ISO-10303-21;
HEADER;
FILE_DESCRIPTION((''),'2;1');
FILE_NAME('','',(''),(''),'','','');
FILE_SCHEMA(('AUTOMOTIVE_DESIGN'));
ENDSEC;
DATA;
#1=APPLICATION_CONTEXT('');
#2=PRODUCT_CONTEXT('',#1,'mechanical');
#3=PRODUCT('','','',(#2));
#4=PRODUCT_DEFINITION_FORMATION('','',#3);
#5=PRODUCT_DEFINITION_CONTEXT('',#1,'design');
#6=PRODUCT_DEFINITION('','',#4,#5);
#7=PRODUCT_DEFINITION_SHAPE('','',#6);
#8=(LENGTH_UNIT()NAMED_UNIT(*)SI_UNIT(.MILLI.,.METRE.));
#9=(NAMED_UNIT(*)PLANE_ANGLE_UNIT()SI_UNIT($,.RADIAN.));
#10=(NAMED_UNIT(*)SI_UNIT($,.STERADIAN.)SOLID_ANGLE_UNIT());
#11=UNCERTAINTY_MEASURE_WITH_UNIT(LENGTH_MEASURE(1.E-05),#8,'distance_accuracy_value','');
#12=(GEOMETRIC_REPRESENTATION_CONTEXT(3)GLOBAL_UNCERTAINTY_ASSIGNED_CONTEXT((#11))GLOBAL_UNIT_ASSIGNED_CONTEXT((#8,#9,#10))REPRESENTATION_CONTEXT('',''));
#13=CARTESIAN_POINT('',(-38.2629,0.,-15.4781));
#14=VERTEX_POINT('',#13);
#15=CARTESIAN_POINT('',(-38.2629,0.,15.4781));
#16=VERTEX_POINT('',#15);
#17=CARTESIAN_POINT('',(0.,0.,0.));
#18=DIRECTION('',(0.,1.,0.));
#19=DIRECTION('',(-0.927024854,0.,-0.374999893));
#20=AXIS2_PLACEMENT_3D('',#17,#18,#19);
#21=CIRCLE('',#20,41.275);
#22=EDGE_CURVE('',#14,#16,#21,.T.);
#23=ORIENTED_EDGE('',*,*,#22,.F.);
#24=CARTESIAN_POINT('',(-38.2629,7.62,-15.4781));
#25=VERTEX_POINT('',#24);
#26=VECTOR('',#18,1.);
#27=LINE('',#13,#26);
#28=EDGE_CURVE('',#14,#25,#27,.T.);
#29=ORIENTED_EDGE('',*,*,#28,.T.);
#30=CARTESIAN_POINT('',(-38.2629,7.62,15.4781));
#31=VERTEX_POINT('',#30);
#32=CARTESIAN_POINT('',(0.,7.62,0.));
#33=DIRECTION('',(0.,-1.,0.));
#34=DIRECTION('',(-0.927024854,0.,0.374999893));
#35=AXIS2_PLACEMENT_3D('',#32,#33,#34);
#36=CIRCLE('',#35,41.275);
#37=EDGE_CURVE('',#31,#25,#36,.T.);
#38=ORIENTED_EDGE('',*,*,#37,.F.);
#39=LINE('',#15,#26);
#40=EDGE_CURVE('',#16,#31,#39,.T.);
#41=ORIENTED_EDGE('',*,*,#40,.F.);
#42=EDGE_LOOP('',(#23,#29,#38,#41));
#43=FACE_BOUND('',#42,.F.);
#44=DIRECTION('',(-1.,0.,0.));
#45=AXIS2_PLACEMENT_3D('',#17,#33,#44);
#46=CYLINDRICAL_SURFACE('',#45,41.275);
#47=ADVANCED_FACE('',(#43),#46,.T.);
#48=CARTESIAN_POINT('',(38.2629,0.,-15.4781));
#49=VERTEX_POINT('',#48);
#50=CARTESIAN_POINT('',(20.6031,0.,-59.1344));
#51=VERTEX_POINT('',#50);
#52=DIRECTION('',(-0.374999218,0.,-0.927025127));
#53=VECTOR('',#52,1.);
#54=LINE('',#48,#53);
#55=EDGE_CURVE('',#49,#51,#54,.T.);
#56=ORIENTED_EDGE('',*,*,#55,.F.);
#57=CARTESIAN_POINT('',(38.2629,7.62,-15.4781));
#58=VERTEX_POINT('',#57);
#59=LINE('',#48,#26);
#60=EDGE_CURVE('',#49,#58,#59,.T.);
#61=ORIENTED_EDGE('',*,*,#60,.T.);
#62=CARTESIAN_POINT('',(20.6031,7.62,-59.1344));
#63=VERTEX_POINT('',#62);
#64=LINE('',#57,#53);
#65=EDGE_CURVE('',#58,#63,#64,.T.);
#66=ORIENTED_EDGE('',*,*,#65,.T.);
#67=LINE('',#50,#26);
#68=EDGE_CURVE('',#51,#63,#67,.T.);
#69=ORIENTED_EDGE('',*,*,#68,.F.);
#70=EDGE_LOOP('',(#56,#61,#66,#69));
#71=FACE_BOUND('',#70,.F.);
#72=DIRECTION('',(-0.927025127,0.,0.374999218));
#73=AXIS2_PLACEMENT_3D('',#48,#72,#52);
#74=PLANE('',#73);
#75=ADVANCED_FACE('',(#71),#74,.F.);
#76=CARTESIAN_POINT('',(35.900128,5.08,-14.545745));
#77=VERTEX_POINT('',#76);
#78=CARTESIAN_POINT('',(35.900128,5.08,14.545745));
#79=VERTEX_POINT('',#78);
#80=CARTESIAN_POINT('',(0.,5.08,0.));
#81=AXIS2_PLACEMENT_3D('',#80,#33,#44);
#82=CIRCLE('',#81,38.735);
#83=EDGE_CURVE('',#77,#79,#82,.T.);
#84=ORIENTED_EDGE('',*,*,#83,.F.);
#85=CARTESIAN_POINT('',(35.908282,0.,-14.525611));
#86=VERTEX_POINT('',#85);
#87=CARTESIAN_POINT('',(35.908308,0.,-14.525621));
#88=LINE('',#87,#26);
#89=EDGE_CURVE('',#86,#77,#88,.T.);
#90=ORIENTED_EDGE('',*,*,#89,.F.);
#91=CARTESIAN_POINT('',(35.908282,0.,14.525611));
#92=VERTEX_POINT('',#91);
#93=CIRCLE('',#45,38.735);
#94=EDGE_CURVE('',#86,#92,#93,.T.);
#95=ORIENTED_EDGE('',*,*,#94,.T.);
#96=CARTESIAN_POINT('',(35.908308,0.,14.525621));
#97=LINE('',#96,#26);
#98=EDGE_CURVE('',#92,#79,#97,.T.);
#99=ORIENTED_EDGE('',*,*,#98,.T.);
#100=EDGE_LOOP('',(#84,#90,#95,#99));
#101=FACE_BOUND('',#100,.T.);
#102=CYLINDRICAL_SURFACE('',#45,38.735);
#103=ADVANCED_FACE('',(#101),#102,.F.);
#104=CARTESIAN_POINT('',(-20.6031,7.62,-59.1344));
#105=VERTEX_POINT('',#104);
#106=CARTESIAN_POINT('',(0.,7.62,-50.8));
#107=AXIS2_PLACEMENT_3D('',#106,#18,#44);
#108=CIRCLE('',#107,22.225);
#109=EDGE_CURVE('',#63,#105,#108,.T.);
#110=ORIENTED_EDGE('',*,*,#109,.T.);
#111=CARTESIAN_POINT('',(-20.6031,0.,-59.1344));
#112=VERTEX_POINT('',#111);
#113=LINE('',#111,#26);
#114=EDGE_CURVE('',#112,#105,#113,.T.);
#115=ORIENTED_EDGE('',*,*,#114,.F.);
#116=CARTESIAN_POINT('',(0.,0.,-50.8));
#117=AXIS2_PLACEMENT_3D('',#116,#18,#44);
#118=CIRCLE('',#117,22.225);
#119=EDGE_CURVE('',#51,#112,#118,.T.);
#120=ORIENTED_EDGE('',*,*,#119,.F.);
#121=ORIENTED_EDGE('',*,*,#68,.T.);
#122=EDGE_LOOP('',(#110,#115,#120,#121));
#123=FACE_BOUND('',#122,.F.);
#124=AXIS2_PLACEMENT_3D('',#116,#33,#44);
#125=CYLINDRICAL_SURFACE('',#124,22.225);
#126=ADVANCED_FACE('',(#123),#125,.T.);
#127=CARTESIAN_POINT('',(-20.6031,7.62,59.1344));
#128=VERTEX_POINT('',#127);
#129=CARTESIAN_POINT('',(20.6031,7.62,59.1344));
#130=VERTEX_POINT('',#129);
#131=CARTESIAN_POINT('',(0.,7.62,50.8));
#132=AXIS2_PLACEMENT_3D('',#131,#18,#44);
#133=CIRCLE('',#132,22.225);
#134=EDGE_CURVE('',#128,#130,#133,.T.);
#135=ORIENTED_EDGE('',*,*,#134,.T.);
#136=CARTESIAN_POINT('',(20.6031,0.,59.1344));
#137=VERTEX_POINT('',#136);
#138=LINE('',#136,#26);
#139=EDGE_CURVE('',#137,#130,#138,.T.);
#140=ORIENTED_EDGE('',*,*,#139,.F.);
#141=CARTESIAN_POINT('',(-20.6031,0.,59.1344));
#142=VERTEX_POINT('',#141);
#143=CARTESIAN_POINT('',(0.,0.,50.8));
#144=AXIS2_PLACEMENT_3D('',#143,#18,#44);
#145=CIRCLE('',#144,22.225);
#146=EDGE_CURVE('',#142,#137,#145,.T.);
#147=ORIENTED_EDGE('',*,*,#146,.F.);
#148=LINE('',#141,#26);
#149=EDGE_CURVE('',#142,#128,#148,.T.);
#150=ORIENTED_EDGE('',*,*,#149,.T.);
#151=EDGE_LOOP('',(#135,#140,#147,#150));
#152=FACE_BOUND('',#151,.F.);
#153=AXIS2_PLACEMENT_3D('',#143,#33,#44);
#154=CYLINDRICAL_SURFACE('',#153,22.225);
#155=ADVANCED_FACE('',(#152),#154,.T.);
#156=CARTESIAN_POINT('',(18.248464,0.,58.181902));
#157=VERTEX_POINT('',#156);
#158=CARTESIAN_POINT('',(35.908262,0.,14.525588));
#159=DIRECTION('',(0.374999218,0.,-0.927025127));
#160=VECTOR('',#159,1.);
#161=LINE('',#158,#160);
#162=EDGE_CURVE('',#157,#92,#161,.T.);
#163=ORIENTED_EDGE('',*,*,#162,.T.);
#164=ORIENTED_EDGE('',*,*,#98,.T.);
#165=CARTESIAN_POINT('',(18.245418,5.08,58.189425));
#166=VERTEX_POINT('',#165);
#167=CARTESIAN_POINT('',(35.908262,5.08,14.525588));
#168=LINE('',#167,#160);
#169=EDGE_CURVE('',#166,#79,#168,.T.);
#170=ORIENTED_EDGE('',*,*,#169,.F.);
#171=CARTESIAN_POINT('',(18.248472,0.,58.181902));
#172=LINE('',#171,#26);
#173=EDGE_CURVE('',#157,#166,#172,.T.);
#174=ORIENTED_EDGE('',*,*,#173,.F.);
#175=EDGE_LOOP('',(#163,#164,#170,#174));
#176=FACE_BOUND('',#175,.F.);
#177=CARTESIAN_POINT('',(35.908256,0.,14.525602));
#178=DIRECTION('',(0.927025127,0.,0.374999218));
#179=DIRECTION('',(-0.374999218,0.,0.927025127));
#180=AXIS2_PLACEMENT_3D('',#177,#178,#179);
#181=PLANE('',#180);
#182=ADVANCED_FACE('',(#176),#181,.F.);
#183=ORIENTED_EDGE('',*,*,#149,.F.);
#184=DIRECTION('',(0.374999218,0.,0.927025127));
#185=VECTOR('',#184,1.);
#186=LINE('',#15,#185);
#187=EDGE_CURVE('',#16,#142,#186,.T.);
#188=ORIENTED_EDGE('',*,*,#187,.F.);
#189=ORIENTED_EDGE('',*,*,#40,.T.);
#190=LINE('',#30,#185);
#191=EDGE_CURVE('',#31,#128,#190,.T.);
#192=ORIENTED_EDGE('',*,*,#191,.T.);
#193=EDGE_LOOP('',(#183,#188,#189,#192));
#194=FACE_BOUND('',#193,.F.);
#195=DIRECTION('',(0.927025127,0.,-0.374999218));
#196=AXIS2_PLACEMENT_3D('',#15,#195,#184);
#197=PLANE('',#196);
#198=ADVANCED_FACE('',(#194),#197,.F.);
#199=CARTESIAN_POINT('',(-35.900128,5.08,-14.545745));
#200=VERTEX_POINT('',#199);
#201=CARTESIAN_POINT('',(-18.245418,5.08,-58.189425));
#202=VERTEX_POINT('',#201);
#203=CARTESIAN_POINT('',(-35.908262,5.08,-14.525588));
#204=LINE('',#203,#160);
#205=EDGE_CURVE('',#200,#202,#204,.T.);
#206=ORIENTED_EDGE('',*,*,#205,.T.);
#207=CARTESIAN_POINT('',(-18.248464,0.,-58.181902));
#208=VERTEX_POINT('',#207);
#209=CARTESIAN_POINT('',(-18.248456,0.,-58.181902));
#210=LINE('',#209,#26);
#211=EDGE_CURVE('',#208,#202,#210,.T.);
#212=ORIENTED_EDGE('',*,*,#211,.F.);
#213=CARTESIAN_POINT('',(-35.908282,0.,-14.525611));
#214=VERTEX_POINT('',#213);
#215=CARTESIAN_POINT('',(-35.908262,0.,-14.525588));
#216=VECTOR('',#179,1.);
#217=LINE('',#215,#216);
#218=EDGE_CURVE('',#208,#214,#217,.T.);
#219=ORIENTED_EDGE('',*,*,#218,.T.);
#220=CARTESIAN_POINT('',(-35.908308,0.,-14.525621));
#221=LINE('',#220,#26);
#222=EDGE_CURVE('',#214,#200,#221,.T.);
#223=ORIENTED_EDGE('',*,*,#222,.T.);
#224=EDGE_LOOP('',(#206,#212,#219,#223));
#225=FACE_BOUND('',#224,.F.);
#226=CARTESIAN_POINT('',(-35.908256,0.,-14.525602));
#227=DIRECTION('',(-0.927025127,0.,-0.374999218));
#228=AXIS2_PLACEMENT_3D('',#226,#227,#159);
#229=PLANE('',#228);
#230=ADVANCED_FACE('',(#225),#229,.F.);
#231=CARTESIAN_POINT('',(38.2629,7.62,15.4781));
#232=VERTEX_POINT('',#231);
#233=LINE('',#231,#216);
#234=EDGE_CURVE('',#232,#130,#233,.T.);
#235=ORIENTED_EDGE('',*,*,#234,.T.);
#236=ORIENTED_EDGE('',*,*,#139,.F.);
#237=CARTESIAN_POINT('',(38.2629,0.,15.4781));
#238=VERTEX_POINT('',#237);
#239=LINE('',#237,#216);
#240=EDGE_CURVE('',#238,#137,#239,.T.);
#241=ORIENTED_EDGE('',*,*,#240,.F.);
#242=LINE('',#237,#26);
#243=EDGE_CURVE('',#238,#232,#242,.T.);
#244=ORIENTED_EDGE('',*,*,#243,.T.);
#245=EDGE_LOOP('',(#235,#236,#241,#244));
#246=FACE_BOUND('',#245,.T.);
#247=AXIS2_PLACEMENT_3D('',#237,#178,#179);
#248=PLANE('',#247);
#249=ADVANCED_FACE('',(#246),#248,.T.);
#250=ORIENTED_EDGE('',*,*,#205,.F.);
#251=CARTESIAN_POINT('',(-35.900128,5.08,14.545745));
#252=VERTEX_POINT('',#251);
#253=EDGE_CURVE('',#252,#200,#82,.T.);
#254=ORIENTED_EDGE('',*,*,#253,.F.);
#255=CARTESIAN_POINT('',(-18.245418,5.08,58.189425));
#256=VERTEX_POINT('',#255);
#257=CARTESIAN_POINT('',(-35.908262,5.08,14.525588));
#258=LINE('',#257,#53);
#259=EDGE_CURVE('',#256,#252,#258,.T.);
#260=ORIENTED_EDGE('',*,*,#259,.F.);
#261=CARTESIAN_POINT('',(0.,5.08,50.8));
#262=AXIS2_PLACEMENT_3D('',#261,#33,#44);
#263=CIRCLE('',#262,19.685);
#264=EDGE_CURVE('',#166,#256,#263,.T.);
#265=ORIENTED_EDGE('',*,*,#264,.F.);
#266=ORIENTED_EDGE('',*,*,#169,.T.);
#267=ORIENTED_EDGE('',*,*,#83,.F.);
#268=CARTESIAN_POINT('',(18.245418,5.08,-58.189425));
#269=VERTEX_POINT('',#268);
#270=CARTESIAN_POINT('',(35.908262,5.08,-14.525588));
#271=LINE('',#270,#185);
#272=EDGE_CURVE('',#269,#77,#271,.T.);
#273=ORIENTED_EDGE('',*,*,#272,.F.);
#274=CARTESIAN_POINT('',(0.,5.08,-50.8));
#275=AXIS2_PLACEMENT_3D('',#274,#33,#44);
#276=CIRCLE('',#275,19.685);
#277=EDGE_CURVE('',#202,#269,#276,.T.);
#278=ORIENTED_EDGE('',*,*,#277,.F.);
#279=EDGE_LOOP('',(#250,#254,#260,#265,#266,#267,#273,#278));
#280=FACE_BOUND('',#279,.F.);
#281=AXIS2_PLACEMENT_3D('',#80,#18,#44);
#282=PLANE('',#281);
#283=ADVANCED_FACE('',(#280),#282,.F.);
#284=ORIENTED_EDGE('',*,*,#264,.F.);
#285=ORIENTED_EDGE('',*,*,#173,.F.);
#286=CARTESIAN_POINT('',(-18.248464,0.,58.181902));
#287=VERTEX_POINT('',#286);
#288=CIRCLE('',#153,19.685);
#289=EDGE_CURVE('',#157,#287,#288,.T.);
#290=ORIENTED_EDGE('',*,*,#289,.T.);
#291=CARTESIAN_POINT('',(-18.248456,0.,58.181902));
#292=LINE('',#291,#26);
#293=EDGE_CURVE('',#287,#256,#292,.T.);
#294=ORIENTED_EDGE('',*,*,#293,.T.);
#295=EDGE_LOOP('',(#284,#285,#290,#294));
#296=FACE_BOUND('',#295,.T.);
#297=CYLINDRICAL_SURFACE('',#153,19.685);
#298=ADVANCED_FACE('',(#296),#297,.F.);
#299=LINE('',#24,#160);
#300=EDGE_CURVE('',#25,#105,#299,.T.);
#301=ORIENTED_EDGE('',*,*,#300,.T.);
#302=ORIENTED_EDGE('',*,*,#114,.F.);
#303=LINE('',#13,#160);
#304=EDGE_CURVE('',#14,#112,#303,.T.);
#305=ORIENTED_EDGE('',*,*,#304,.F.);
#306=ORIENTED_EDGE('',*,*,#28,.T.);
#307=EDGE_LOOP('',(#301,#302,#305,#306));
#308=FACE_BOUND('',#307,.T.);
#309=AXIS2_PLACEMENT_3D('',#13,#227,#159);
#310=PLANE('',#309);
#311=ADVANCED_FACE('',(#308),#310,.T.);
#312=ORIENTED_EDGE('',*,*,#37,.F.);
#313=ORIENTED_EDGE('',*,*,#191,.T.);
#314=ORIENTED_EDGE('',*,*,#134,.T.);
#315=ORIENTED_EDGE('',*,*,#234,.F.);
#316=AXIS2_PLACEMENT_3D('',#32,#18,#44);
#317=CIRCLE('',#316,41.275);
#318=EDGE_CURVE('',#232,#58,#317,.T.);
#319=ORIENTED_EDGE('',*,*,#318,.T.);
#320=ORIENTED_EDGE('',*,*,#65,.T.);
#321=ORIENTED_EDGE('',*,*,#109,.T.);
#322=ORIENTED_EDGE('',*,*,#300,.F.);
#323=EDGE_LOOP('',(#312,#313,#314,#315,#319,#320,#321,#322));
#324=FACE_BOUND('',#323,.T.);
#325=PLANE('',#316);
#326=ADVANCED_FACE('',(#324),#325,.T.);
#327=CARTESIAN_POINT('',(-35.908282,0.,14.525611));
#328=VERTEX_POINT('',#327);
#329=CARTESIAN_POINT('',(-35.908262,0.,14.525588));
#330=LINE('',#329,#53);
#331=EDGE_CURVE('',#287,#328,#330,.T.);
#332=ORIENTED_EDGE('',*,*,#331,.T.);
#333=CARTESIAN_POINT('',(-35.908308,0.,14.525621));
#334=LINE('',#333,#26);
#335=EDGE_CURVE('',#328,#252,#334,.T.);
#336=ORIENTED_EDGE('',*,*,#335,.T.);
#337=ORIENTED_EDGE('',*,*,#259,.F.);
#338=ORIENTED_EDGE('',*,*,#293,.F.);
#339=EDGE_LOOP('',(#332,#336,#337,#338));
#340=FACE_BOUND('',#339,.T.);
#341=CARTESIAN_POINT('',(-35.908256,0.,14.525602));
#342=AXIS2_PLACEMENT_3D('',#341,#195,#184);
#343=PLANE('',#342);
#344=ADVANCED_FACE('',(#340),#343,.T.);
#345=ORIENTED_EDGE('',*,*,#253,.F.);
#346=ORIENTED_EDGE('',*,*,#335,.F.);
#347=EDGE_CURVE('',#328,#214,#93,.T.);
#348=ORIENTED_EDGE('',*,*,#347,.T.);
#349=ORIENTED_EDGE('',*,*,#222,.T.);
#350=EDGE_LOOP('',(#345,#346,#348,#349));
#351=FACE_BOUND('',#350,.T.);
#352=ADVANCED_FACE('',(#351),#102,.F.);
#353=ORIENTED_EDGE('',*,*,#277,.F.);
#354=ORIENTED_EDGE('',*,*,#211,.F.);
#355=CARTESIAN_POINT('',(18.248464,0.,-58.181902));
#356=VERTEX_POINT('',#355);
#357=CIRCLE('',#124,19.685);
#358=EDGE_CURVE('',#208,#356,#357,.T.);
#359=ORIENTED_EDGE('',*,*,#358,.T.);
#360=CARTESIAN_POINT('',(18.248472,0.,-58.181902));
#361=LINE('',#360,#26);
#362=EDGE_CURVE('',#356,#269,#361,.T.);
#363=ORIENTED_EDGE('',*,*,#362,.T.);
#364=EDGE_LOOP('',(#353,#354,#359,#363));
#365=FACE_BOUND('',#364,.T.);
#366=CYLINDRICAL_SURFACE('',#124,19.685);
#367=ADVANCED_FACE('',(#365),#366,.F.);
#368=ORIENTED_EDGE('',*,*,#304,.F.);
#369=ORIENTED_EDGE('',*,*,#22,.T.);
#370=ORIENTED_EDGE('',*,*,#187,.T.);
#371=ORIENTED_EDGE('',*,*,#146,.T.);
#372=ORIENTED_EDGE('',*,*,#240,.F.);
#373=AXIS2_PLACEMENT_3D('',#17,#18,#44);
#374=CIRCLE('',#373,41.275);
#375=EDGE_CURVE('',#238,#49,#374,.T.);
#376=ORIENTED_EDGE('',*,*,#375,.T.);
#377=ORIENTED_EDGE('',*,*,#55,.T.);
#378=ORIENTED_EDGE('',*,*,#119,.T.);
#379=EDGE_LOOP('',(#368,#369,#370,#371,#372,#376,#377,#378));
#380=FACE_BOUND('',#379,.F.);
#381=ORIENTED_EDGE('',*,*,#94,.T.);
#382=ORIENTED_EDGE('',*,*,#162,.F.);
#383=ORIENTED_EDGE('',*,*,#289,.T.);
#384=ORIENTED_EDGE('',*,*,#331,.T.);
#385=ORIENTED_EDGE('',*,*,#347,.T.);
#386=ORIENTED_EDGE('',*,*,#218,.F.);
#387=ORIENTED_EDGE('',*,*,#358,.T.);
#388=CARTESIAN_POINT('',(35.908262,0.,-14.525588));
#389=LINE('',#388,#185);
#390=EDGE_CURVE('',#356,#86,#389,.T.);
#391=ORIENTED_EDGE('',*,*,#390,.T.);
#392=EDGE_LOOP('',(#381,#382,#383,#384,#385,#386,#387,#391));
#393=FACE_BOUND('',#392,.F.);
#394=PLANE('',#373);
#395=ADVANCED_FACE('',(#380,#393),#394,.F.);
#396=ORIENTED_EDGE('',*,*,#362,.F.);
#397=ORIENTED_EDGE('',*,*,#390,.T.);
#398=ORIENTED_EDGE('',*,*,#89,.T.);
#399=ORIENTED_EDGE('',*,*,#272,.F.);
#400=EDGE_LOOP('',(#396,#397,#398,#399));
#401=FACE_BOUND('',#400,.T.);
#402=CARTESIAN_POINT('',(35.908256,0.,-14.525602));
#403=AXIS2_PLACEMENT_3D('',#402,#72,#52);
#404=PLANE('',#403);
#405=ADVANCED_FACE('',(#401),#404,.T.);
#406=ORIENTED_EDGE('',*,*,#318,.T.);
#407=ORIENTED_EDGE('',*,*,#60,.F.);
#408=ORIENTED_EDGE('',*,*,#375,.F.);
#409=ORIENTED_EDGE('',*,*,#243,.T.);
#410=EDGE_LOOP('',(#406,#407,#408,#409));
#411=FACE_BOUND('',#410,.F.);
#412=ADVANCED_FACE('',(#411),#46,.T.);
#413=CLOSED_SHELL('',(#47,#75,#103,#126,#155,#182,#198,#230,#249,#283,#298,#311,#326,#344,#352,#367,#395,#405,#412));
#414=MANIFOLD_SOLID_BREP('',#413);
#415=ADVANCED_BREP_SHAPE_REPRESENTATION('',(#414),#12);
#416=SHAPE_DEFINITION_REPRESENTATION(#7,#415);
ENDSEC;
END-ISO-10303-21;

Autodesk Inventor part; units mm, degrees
ref_plane "YZ Plane" through (0, 0, 0) normal (1, 0, 0) x (0, 1, 0)
ref_plane "XZ Plane" through (0, 0, 0) normal (0, 1, 0) x (-1, 0, 0)
ref_plane "XY Plane" through (0, 0, 0) normal (0, 0, 1) x (1, 0, 0)
sketch "Sketch1" plane through (0, 0, 0) normal (0, 1, 0) x (-1, 0, 0)
  circle A0 centre (0, 0) radius 41.275
  circle A1 centre (0, 50.8) radius 22.225
  circle A2 centre (0, -50.8) radius 22.225
  line L0 (38.2629, 15.4781) -> (20.6031, 59.1344)
  line L1 (-38.2629, 15.4781) -> (-20.6031, 59.1344)
  line L2 (-38.2629, -15.4781) -> (-20.6031, -59.1344)
  line L3 (38.2629, -15.4781) -> (20.6031, -59.1344)
  dimension "d0" = 82.55
  dimension "d1" = 44.45
  dimension "d2" = 44.45
  dimension "d3" = 50.8
  dimension "d4" = 50.8
extrude "Extrusion1" add sketch "Sketch1" along normal blind 7.62
shell "Shell2" thickness 2.54 removed faces 1 at (-6.8677, 0, -30.0302)
properties part number "Diamond-Box-Lid"
